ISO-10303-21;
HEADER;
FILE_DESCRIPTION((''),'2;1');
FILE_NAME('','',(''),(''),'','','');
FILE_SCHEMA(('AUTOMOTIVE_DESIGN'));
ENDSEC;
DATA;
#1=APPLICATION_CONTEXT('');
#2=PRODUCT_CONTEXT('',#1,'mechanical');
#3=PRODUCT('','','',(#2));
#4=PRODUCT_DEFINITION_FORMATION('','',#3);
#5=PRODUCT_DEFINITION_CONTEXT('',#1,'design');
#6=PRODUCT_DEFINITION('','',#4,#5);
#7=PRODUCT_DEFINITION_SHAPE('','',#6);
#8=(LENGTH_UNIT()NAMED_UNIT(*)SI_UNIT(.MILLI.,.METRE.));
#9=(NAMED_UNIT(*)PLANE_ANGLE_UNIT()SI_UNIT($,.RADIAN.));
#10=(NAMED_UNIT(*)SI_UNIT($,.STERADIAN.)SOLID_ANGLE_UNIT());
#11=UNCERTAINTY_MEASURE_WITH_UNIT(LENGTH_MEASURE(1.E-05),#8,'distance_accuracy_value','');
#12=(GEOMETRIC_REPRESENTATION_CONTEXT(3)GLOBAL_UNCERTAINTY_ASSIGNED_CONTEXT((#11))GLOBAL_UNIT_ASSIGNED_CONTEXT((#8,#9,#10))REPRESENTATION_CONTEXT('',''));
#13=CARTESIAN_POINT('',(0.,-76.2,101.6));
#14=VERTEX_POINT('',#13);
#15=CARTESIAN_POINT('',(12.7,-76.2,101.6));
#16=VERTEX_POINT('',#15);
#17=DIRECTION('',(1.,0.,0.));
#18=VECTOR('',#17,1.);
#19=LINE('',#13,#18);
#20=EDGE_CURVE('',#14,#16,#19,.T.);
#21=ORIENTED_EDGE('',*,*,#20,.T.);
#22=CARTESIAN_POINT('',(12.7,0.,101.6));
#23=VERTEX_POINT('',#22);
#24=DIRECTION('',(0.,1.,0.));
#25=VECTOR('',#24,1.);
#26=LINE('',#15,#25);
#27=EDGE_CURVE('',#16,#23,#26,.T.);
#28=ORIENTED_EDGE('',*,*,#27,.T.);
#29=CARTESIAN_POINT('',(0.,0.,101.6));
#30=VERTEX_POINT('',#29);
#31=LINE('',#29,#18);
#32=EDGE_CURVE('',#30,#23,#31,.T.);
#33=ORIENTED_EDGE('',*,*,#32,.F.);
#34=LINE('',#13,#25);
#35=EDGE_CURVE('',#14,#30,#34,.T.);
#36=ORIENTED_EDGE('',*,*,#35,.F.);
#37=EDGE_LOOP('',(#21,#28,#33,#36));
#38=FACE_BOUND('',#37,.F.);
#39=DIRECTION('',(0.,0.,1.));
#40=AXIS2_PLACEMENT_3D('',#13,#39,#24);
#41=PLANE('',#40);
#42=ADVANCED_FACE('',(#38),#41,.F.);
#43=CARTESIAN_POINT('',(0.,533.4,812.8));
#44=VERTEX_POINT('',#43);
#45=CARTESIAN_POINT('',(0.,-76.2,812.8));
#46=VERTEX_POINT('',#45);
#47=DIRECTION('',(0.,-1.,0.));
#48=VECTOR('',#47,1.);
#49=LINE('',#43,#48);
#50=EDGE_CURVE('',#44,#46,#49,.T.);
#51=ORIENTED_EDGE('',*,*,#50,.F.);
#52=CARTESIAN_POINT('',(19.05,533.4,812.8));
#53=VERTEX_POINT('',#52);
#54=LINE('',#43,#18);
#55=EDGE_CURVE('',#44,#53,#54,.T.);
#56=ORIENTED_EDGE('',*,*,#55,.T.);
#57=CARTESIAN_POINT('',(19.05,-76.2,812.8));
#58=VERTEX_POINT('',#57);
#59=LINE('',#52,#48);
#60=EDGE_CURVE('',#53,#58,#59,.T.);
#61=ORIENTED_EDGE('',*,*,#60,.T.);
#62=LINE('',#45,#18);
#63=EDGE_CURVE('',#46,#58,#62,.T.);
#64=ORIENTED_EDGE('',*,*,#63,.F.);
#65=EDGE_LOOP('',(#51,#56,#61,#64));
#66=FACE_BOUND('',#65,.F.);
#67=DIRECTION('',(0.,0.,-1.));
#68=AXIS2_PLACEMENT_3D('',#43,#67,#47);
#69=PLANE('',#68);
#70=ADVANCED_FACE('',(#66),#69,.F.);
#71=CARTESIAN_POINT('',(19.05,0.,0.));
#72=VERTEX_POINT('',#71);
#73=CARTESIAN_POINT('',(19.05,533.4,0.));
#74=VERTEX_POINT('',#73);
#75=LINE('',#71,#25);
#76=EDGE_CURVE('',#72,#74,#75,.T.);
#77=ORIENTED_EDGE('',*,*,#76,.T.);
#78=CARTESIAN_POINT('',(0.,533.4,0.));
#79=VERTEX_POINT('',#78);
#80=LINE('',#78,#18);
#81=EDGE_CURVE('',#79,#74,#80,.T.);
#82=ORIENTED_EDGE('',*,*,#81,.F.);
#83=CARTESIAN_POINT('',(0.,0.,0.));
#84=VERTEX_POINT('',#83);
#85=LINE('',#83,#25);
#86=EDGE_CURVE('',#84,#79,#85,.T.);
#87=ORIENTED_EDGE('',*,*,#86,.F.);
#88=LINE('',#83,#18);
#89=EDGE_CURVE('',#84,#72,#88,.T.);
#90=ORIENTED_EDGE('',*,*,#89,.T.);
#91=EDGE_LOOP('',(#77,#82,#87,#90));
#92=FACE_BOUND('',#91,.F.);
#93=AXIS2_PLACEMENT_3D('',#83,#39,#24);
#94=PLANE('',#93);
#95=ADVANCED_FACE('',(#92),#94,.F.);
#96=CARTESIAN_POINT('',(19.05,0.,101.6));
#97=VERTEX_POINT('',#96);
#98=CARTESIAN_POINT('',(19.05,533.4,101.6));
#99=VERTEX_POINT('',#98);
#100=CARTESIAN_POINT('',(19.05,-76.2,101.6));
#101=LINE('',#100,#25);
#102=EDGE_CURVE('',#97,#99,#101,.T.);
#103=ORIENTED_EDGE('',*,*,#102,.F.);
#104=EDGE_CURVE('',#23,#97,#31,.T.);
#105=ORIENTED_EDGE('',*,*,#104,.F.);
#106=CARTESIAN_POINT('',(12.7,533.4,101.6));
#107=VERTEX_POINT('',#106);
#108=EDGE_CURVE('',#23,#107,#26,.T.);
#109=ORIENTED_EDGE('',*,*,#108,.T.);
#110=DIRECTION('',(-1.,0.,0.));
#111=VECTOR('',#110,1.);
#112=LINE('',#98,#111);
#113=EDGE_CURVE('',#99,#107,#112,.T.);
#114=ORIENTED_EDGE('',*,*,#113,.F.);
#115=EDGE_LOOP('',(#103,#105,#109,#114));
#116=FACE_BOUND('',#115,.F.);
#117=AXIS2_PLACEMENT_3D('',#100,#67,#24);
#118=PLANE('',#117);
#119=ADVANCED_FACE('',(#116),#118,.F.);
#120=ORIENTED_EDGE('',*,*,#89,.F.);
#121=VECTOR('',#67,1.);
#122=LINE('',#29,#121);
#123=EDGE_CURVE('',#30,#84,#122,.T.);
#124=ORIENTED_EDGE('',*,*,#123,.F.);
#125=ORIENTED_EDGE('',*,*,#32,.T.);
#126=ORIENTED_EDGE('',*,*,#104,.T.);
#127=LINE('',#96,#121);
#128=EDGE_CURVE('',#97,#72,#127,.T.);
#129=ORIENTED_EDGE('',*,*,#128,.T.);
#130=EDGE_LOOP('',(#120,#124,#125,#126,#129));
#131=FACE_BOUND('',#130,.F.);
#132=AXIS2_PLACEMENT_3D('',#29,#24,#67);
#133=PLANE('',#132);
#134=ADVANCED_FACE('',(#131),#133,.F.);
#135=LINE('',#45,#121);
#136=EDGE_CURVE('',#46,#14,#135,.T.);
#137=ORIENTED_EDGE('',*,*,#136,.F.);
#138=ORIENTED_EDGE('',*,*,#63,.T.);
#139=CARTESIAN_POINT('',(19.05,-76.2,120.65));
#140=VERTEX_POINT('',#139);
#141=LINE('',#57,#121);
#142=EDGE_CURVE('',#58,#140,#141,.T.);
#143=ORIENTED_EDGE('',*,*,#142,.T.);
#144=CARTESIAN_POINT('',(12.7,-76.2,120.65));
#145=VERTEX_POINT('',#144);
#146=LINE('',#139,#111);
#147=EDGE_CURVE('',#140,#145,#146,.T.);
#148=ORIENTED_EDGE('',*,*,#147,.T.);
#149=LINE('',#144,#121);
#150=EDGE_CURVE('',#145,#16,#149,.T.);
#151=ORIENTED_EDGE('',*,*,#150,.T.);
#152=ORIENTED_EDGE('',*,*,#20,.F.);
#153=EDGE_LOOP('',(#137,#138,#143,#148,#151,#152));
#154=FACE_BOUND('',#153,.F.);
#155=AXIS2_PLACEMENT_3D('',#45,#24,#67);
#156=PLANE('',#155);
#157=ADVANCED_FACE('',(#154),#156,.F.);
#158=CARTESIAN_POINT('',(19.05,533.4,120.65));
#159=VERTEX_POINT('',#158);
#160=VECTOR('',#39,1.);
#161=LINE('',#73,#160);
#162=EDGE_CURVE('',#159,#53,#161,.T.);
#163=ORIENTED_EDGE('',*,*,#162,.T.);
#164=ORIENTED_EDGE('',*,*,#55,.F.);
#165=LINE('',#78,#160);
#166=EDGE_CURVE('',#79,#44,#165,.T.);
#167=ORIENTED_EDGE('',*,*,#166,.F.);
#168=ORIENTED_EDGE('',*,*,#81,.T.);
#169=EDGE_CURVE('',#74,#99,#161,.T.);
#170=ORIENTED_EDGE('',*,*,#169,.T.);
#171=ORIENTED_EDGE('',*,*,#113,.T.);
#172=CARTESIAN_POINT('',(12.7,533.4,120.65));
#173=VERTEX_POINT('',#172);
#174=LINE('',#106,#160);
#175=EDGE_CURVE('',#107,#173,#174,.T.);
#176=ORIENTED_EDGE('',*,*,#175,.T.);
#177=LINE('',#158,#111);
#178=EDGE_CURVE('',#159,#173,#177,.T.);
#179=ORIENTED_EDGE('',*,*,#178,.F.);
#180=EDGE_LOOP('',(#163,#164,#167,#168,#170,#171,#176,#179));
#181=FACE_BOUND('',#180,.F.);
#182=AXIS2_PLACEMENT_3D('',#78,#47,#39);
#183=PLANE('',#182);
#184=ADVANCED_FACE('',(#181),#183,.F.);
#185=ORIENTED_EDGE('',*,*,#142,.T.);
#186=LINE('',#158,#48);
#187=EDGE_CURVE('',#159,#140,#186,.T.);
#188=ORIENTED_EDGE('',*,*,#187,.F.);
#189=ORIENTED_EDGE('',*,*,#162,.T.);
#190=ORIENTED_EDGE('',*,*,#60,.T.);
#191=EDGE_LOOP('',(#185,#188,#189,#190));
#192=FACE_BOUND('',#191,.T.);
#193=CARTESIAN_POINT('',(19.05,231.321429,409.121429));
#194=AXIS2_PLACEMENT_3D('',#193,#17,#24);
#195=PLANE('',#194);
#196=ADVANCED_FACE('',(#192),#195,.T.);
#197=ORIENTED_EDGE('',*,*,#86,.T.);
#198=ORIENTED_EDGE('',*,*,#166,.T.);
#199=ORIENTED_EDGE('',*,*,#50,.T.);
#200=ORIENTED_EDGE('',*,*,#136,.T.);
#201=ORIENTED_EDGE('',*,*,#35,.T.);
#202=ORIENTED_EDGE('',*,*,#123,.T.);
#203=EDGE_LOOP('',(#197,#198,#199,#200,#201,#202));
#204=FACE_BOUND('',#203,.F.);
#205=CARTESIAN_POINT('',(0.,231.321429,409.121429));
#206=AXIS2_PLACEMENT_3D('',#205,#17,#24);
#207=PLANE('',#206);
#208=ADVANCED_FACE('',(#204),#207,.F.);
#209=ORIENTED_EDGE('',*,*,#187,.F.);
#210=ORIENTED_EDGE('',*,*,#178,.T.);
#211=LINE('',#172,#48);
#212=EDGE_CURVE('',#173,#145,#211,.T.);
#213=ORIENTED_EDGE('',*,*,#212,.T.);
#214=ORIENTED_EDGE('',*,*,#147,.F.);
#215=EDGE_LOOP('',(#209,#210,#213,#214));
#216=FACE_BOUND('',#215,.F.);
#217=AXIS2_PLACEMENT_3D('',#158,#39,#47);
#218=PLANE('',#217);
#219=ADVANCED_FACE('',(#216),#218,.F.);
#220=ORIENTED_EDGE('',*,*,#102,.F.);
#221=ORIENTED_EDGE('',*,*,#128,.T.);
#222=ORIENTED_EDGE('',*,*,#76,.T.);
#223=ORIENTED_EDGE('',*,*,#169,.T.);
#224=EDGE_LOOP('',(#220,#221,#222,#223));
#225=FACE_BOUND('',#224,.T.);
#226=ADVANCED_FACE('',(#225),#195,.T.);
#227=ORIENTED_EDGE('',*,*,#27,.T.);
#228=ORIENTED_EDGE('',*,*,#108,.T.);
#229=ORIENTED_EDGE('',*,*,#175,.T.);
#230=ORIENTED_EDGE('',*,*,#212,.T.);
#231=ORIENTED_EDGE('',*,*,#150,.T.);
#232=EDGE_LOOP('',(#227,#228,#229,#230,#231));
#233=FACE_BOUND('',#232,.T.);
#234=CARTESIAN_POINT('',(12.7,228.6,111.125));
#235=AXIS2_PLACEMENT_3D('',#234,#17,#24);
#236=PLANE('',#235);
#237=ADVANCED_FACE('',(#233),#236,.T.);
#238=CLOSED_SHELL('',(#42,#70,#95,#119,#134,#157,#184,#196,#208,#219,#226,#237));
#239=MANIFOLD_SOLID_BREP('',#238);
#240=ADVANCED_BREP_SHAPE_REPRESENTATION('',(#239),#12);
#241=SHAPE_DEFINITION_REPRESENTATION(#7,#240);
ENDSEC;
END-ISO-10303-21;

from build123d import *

# Parameters (mm, degrees)
F1_DEPTH = 19.05
F3_DEPTH = 6.35


with BuildPart() as f1:
    # F0 (on Right) → F1 (new body)
    with BuildSketch(Plane.YZ):
        Polygon((0, 101.6), (0, 0), (533.4, 0), (533.4, 812.8), (-76.2, 812.8), (-76.2, 101.6), align=None)
    extrude(amount=F1_DEPTH)

    # F2 (on face) → F3 (cut)
    with BuildSketch(Plane.YZ.offset(19.05)):
        Polygon((-76.2, 120.65), (-76.2, 101.6), (0, 101.6), (533.4, 101.6), (533.4, 120.65), align=None)
    extrude(amount=-F3_DEPTH, mode=Mode.SUBTRACT)


solid = f1.part
